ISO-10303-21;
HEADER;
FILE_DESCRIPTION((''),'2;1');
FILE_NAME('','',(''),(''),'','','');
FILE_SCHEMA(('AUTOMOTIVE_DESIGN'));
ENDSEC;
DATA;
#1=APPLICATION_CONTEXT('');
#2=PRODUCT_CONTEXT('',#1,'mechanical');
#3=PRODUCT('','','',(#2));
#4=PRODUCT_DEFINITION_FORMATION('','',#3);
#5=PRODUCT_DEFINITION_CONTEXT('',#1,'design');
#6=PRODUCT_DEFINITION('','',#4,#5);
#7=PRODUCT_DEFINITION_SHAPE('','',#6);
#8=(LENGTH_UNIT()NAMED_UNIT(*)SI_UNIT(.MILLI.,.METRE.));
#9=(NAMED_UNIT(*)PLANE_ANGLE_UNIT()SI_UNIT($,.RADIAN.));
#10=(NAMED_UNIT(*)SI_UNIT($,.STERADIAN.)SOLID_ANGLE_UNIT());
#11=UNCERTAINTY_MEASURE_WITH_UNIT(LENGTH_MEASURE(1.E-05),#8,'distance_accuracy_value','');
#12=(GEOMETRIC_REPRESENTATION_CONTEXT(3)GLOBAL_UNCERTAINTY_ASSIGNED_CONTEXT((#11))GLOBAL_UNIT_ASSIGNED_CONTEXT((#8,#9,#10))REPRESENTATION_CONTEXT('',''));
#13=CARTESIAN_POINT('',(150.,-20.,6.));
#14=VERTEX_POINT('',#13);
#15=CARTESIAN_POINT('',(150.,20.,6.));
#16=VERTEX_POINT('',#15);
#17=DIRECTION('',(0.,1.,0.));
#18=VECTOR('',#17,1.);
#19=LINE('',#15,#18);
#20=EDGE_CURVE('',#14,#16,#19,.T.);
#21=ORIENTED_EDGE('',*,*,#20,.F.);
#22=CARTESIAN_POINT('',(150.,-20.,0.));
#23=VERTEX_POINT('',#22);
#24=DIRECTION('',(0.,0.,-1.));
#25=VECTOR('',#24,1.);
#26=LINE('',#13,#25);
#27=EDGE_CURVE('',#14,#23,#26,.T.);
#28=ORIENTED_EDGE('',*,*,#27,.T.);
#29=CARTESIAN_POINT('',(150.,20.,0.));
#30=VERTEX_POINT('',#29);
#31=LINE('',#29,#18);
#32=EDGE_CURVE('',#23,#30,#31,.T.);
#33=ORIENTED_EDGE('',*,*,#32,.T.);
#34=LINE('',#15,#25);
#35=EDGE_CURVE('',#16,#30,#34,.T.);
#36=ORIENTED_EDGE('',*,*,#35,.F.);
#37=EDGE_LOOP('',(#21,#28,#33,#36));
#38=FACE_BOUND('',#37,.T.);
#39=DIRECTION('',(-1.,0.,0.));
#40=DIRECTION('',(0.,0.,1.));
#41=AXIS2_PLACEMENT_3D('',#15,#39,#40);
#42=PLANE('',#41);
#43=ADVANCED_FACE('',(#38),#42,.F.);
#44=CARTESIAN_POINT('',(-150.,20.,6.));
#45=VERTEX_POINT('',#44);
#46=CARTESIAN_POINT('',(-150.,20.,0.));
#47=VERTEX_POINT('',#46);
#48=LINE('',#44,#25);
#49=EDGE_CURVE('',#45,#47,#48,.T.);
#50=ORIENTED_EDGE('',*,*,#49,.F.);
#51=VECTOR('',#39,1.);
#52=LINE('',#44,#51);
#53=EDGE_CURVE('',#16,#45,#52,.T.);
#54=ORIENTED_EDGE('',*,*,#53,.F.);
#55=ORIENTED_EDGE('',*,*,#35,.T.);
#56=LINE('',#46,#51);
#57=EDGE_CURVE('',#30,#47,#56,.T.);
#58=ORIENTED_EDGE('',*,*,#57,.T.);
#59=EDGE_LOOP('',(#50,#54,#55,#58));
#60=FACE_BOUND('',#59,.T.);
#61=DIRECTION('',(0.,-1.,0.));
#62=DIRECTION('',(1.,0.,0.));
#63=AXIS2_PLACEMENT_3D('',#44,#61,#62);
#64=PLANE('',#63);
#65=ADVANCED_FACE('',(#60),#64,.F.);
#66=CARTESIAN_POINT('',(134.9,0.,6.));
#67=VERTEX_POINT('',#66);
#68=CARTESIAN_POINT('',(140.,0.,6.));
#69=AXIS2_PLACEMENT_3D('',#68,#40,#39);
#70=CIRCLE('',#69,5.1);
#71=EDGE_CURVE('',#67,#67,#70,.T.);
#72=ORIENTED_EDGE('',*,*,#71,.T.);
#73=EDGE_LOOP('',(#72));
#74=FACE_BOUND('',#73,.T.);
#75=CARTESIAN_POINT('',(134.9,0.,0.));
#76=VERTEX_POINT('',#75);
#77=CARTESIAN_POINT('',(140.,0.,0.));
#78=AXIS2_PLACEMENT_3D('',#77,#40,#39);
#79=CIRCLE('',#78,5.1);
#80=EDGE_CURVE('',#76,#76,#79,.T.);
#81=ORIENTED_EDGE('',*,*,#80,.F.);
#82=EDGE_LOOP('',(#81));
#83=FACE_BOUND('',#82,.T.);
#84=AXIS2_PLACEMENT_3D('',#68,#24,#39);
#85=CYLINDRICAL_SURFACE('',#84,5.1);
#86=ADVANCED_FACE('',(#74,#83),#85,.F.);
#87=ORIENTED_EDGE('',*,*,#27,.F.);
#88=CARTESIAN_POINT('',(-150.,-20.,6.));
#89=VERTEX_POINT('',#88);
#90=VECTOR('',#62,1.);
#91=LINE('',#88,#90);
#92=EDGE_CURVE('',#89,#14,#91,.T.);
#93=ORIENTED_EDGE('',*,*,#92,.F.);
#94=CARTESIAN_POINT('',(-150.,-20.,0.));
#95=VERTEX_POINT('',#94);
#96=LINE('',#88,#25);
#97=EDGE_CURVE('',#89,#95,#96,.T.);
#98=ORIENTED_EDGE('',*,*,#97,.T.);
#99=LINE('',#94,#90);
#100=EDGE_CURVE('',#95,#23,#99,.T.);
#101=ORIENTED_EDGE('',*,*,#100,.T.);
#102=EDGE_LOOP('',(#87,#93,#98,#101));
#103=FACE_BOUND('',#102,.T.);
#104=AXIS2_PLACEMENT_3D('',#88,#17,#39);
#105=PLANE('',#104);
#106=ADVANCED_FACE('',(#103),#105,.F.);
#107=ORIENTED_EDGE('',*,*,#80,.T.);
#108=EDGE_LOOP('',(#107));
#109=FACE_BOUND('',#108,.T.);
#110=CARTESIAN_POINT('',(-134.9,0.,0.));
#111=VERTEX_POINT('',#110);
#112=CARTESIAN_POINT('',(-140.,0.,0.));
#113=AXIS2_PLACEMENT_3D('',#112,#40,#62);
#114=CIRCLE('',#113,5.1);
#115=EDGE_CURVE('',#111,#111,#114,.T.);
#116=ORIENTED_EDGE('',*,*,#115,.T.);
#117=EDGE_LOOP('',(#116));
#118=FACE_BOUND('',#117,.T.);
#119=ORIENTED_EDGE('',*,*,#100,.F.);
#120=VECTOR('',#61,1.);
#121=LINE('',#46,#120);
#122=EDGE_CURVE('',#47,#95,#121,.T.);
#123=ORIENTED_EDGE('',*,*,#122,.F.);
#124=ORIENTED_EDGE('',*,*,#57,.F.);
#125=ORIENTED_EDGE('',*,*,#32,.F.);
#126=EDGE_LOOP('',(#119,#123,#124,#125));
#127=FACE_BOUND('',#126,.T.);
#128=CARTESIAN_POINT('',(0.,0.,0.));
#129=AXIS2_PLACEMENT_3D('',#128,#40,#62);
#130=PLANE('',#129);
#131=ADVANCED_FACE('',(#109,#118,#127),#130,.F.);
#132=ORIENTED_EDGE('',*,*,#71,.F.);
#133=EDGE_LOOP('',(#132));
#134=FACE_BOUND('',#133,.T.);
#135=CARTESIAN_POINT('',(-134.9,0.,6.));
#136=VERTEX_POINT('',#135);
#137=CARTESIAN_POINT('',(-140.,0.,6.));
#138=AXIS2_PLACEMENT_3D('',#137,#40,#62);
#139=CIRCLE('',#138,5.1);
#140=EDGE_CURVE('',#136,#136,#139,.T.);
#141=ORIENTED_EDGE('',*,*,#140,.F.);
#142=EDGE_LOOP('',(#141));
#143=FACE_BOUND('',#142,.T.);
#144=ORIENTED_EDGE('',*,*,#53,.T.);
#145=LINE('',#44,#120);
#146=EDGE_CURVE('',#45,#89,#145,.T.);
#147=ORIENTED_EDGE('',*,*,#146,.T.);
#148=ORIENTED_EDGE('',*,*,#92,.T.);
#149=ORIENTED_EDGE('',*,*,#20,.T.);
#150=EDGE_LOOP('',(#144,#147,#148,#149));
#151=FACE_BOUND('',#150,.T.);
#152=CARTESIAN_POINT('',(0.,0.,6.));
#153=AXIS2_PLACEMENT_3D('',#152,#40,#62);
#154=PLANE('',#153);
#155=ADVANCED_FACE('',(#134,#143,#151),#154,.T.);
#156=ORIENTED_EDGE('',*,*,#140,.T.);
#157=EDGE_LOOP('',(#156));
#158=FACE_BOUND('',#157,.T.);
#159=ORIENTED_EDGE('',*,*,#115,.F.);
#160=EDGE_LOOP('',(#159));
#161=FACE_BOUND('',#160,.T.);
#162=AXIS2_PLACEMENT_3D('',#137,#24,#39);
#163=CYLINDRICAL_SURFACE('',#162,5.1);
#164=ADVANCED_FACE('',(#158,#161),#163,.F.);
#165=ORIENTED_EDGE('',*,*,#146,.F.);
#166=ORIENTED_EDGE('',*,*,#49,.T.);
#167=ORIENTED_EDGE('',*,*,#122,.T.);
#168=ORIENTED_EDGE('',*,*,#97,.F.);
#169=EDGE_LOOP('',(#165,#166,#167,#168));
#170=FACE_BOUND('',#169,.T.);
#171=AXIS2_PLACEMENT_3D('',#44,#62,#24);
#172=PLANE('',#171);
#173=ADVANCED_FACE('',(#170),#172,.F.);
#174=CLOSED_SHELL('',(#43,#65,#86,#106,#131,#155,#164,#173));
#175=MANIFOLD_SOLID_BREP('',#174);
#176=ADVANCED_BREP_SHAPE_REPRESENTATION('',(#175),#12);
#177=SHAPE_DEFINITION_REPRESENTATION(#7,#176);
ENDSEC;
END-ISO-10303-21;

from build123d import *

# Parameters (mm, degrees)
SKETCH1_W      = 300
SKETCH1_H      = 40
SKETCH1_R      = 5.1
EXTRUDE1_DEPTH = 6


with BuildPart() as part:
    # Sketch1 → Extrude1 (new body)
    with BuildSketch(Plane.XY):
        Rectangle(SKETCH1_W, SKETCH1_H)
        with Locations((-140, 0)):
            Circle(SKETCH1_R, mode=Mode.SUBTRACT)
        with Locations((140, 0)):
            Circle(SKETCH1_R, mode=Mode.SUBTRACT)
    extrude(amount=EXTRUDE1_DEPTH)


solid = part.part
